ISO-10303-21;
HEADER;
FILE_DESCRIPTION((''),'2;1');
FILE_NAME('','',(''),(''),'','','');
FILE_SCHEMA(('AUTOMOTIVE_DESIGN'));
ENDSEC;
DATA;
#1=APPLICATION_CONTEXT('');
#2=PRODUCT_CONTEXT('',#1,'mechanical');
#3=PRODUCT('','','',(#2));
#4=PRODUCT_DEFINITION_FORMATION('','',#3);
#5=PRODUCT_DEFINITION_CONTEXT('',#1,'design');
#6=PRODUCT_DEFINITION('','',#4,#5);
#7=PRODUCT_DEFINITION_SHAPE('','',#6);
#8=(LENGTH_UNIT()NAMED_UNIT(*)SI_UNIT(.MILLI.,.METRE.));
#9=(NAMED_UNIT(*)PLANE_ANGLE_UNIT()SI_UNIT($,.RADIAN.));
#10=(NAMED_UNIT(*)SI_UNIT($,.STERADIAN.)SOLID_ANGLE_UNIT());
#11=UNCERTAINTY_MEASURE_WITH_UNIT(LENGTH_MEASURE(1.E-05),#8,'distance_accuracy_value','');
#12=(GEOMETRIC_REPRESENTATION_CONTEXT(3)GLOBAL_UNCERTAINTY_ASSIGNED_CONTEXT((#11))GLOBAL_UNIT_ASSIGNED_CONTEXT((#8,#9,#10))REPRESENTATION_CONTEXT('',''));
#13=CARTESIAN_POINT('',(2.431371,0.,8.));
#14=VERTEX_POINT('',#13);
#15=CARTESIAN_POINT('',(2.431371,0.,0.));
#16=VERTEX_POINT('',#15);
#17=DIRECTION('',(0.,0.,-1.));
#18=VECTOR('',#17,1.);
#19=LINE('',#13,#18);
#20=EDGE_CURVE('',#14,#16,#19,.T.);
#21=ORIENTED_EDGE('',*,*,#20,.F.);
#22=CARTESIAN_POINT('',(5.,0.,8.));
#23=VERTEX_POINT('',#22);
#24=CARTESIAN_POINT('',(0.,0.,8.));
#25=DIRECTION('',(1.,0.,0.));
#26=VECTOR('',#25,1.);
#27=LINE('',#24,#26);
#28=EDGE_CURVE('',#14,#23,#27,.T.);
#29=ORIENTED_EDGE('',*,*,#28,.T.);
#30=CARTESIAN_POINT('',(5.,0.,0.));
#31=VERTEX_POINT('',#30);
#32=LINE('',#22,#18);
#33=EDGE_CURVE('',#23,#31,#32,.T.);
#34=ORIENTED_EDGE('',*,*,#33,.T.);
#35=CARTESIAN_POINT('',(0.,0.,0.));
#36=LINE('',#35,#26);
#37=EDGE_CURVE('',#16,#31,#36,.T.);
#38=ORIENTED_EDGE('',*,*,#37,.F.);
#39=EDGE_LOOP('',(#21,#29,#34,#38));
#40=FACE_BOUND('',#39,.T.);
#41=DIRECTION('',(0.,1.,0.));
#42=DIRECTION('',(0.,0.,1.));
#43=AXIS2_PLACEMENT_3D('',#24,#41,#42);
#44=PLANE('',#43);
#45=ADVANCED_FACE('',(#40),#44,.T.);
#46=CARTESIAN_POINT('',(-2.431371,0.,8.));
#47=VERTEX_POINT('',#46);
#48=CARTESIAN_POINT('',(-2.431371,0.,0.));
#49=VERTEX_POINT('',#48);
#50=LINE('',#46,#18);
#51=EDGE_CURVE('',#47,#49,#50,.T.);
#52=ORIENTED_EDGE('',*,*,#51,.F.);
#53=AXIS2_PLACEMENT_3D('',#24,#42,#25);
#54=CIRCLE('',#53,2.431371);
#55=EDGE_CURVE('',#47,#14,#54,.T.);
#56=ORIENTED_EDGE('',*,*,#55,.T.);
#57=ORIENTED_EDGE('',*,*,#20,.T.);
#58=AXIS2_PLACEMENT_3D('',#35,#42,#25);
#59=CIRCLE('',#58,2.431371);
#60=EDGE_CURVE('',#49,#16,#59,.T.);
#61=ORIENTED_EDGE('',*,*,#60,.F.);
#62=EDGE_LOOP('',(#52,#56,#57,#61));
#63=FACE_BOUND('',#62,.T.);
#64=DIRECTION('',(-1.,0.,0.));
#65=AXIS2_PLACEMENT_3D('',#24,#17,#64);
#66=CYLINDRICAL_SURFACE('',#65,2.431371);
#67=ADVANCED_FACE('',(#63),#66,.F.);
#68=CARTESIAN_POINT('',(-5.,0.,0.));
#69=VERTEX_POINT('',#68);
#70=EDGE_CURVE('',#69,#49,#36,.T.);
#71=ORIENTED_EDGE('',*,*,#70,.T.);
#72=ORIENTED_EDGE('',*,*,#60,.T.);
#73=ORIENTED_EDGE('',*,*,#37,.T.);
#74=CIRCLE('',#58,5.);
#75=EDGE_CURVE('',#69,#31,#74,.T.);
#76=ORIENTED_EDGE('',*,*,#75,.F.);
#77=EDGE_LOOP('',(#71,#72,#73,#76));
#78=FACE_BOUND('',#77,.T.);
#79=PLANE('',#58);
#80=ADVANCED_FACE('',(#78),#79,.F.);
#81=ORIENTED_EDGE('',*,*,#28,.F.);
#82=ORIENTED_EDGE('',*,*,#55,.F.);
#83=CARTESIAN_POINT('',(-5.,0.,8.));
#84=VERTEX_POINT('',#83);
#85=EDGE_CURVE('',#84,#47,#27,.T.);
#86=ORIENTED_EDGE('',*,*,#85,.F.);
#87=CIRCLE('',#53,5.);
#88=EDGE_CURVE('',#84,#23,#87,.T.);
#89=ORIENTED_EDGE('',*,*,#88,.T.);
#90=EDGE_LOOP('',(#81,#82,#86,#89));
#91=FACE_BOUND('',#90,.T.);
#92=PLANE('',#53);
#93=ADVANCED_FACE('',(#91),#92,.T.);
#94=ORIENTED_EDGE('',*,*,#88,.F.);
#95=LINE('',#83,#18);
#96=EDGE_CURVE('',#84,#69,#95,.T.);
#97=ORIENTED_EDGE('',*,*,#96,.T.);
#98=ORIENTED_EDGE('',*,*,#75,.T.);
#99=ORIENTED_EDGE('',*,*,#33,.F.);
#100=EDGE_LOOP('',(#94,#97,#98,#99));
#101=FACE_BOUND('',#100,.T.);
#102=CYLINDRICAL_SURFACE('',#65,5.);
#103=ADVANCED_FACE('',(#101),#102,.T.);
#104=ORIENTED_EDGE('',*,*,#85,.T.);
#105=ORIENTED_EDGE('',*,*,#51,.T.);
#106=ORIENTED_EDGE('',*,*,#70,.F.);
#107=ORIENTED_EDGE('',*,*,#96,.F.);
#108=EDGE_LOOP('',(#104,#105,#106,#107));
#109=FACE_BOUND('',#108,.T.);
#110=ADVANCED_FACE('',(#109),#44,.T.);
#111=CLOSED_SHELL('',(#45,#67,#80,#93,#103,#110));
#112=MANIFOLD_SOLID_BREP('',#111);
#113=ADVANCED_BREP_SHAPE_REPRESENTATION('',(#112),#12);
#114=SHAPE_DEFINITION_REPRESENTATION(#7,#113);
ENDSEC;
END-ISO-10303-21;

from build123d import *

# Parameters (mm, degrees)
BOSS_EXTRUDE1_DEPTH = 8


with BuildPart() as part:
    # Sketch1 → Boss-Extrude1 (new body)
    with BuildSketch(Plane.XY):
        with BuildLine():
            Line((5, 0), (2.43137085, 0))
            ThreePointArc((2.43137085, 0), (0, -2.43137085), (-2.43137085, 0))
            Line((-2.43137085, 0), (-5, 0))
            ThreePointArc((-5, 0), (0, -5), (5, 0))
        make_face()
    extrude(amount=BOSS_EXTRUDE1_DEPTH)


solid = part.part
